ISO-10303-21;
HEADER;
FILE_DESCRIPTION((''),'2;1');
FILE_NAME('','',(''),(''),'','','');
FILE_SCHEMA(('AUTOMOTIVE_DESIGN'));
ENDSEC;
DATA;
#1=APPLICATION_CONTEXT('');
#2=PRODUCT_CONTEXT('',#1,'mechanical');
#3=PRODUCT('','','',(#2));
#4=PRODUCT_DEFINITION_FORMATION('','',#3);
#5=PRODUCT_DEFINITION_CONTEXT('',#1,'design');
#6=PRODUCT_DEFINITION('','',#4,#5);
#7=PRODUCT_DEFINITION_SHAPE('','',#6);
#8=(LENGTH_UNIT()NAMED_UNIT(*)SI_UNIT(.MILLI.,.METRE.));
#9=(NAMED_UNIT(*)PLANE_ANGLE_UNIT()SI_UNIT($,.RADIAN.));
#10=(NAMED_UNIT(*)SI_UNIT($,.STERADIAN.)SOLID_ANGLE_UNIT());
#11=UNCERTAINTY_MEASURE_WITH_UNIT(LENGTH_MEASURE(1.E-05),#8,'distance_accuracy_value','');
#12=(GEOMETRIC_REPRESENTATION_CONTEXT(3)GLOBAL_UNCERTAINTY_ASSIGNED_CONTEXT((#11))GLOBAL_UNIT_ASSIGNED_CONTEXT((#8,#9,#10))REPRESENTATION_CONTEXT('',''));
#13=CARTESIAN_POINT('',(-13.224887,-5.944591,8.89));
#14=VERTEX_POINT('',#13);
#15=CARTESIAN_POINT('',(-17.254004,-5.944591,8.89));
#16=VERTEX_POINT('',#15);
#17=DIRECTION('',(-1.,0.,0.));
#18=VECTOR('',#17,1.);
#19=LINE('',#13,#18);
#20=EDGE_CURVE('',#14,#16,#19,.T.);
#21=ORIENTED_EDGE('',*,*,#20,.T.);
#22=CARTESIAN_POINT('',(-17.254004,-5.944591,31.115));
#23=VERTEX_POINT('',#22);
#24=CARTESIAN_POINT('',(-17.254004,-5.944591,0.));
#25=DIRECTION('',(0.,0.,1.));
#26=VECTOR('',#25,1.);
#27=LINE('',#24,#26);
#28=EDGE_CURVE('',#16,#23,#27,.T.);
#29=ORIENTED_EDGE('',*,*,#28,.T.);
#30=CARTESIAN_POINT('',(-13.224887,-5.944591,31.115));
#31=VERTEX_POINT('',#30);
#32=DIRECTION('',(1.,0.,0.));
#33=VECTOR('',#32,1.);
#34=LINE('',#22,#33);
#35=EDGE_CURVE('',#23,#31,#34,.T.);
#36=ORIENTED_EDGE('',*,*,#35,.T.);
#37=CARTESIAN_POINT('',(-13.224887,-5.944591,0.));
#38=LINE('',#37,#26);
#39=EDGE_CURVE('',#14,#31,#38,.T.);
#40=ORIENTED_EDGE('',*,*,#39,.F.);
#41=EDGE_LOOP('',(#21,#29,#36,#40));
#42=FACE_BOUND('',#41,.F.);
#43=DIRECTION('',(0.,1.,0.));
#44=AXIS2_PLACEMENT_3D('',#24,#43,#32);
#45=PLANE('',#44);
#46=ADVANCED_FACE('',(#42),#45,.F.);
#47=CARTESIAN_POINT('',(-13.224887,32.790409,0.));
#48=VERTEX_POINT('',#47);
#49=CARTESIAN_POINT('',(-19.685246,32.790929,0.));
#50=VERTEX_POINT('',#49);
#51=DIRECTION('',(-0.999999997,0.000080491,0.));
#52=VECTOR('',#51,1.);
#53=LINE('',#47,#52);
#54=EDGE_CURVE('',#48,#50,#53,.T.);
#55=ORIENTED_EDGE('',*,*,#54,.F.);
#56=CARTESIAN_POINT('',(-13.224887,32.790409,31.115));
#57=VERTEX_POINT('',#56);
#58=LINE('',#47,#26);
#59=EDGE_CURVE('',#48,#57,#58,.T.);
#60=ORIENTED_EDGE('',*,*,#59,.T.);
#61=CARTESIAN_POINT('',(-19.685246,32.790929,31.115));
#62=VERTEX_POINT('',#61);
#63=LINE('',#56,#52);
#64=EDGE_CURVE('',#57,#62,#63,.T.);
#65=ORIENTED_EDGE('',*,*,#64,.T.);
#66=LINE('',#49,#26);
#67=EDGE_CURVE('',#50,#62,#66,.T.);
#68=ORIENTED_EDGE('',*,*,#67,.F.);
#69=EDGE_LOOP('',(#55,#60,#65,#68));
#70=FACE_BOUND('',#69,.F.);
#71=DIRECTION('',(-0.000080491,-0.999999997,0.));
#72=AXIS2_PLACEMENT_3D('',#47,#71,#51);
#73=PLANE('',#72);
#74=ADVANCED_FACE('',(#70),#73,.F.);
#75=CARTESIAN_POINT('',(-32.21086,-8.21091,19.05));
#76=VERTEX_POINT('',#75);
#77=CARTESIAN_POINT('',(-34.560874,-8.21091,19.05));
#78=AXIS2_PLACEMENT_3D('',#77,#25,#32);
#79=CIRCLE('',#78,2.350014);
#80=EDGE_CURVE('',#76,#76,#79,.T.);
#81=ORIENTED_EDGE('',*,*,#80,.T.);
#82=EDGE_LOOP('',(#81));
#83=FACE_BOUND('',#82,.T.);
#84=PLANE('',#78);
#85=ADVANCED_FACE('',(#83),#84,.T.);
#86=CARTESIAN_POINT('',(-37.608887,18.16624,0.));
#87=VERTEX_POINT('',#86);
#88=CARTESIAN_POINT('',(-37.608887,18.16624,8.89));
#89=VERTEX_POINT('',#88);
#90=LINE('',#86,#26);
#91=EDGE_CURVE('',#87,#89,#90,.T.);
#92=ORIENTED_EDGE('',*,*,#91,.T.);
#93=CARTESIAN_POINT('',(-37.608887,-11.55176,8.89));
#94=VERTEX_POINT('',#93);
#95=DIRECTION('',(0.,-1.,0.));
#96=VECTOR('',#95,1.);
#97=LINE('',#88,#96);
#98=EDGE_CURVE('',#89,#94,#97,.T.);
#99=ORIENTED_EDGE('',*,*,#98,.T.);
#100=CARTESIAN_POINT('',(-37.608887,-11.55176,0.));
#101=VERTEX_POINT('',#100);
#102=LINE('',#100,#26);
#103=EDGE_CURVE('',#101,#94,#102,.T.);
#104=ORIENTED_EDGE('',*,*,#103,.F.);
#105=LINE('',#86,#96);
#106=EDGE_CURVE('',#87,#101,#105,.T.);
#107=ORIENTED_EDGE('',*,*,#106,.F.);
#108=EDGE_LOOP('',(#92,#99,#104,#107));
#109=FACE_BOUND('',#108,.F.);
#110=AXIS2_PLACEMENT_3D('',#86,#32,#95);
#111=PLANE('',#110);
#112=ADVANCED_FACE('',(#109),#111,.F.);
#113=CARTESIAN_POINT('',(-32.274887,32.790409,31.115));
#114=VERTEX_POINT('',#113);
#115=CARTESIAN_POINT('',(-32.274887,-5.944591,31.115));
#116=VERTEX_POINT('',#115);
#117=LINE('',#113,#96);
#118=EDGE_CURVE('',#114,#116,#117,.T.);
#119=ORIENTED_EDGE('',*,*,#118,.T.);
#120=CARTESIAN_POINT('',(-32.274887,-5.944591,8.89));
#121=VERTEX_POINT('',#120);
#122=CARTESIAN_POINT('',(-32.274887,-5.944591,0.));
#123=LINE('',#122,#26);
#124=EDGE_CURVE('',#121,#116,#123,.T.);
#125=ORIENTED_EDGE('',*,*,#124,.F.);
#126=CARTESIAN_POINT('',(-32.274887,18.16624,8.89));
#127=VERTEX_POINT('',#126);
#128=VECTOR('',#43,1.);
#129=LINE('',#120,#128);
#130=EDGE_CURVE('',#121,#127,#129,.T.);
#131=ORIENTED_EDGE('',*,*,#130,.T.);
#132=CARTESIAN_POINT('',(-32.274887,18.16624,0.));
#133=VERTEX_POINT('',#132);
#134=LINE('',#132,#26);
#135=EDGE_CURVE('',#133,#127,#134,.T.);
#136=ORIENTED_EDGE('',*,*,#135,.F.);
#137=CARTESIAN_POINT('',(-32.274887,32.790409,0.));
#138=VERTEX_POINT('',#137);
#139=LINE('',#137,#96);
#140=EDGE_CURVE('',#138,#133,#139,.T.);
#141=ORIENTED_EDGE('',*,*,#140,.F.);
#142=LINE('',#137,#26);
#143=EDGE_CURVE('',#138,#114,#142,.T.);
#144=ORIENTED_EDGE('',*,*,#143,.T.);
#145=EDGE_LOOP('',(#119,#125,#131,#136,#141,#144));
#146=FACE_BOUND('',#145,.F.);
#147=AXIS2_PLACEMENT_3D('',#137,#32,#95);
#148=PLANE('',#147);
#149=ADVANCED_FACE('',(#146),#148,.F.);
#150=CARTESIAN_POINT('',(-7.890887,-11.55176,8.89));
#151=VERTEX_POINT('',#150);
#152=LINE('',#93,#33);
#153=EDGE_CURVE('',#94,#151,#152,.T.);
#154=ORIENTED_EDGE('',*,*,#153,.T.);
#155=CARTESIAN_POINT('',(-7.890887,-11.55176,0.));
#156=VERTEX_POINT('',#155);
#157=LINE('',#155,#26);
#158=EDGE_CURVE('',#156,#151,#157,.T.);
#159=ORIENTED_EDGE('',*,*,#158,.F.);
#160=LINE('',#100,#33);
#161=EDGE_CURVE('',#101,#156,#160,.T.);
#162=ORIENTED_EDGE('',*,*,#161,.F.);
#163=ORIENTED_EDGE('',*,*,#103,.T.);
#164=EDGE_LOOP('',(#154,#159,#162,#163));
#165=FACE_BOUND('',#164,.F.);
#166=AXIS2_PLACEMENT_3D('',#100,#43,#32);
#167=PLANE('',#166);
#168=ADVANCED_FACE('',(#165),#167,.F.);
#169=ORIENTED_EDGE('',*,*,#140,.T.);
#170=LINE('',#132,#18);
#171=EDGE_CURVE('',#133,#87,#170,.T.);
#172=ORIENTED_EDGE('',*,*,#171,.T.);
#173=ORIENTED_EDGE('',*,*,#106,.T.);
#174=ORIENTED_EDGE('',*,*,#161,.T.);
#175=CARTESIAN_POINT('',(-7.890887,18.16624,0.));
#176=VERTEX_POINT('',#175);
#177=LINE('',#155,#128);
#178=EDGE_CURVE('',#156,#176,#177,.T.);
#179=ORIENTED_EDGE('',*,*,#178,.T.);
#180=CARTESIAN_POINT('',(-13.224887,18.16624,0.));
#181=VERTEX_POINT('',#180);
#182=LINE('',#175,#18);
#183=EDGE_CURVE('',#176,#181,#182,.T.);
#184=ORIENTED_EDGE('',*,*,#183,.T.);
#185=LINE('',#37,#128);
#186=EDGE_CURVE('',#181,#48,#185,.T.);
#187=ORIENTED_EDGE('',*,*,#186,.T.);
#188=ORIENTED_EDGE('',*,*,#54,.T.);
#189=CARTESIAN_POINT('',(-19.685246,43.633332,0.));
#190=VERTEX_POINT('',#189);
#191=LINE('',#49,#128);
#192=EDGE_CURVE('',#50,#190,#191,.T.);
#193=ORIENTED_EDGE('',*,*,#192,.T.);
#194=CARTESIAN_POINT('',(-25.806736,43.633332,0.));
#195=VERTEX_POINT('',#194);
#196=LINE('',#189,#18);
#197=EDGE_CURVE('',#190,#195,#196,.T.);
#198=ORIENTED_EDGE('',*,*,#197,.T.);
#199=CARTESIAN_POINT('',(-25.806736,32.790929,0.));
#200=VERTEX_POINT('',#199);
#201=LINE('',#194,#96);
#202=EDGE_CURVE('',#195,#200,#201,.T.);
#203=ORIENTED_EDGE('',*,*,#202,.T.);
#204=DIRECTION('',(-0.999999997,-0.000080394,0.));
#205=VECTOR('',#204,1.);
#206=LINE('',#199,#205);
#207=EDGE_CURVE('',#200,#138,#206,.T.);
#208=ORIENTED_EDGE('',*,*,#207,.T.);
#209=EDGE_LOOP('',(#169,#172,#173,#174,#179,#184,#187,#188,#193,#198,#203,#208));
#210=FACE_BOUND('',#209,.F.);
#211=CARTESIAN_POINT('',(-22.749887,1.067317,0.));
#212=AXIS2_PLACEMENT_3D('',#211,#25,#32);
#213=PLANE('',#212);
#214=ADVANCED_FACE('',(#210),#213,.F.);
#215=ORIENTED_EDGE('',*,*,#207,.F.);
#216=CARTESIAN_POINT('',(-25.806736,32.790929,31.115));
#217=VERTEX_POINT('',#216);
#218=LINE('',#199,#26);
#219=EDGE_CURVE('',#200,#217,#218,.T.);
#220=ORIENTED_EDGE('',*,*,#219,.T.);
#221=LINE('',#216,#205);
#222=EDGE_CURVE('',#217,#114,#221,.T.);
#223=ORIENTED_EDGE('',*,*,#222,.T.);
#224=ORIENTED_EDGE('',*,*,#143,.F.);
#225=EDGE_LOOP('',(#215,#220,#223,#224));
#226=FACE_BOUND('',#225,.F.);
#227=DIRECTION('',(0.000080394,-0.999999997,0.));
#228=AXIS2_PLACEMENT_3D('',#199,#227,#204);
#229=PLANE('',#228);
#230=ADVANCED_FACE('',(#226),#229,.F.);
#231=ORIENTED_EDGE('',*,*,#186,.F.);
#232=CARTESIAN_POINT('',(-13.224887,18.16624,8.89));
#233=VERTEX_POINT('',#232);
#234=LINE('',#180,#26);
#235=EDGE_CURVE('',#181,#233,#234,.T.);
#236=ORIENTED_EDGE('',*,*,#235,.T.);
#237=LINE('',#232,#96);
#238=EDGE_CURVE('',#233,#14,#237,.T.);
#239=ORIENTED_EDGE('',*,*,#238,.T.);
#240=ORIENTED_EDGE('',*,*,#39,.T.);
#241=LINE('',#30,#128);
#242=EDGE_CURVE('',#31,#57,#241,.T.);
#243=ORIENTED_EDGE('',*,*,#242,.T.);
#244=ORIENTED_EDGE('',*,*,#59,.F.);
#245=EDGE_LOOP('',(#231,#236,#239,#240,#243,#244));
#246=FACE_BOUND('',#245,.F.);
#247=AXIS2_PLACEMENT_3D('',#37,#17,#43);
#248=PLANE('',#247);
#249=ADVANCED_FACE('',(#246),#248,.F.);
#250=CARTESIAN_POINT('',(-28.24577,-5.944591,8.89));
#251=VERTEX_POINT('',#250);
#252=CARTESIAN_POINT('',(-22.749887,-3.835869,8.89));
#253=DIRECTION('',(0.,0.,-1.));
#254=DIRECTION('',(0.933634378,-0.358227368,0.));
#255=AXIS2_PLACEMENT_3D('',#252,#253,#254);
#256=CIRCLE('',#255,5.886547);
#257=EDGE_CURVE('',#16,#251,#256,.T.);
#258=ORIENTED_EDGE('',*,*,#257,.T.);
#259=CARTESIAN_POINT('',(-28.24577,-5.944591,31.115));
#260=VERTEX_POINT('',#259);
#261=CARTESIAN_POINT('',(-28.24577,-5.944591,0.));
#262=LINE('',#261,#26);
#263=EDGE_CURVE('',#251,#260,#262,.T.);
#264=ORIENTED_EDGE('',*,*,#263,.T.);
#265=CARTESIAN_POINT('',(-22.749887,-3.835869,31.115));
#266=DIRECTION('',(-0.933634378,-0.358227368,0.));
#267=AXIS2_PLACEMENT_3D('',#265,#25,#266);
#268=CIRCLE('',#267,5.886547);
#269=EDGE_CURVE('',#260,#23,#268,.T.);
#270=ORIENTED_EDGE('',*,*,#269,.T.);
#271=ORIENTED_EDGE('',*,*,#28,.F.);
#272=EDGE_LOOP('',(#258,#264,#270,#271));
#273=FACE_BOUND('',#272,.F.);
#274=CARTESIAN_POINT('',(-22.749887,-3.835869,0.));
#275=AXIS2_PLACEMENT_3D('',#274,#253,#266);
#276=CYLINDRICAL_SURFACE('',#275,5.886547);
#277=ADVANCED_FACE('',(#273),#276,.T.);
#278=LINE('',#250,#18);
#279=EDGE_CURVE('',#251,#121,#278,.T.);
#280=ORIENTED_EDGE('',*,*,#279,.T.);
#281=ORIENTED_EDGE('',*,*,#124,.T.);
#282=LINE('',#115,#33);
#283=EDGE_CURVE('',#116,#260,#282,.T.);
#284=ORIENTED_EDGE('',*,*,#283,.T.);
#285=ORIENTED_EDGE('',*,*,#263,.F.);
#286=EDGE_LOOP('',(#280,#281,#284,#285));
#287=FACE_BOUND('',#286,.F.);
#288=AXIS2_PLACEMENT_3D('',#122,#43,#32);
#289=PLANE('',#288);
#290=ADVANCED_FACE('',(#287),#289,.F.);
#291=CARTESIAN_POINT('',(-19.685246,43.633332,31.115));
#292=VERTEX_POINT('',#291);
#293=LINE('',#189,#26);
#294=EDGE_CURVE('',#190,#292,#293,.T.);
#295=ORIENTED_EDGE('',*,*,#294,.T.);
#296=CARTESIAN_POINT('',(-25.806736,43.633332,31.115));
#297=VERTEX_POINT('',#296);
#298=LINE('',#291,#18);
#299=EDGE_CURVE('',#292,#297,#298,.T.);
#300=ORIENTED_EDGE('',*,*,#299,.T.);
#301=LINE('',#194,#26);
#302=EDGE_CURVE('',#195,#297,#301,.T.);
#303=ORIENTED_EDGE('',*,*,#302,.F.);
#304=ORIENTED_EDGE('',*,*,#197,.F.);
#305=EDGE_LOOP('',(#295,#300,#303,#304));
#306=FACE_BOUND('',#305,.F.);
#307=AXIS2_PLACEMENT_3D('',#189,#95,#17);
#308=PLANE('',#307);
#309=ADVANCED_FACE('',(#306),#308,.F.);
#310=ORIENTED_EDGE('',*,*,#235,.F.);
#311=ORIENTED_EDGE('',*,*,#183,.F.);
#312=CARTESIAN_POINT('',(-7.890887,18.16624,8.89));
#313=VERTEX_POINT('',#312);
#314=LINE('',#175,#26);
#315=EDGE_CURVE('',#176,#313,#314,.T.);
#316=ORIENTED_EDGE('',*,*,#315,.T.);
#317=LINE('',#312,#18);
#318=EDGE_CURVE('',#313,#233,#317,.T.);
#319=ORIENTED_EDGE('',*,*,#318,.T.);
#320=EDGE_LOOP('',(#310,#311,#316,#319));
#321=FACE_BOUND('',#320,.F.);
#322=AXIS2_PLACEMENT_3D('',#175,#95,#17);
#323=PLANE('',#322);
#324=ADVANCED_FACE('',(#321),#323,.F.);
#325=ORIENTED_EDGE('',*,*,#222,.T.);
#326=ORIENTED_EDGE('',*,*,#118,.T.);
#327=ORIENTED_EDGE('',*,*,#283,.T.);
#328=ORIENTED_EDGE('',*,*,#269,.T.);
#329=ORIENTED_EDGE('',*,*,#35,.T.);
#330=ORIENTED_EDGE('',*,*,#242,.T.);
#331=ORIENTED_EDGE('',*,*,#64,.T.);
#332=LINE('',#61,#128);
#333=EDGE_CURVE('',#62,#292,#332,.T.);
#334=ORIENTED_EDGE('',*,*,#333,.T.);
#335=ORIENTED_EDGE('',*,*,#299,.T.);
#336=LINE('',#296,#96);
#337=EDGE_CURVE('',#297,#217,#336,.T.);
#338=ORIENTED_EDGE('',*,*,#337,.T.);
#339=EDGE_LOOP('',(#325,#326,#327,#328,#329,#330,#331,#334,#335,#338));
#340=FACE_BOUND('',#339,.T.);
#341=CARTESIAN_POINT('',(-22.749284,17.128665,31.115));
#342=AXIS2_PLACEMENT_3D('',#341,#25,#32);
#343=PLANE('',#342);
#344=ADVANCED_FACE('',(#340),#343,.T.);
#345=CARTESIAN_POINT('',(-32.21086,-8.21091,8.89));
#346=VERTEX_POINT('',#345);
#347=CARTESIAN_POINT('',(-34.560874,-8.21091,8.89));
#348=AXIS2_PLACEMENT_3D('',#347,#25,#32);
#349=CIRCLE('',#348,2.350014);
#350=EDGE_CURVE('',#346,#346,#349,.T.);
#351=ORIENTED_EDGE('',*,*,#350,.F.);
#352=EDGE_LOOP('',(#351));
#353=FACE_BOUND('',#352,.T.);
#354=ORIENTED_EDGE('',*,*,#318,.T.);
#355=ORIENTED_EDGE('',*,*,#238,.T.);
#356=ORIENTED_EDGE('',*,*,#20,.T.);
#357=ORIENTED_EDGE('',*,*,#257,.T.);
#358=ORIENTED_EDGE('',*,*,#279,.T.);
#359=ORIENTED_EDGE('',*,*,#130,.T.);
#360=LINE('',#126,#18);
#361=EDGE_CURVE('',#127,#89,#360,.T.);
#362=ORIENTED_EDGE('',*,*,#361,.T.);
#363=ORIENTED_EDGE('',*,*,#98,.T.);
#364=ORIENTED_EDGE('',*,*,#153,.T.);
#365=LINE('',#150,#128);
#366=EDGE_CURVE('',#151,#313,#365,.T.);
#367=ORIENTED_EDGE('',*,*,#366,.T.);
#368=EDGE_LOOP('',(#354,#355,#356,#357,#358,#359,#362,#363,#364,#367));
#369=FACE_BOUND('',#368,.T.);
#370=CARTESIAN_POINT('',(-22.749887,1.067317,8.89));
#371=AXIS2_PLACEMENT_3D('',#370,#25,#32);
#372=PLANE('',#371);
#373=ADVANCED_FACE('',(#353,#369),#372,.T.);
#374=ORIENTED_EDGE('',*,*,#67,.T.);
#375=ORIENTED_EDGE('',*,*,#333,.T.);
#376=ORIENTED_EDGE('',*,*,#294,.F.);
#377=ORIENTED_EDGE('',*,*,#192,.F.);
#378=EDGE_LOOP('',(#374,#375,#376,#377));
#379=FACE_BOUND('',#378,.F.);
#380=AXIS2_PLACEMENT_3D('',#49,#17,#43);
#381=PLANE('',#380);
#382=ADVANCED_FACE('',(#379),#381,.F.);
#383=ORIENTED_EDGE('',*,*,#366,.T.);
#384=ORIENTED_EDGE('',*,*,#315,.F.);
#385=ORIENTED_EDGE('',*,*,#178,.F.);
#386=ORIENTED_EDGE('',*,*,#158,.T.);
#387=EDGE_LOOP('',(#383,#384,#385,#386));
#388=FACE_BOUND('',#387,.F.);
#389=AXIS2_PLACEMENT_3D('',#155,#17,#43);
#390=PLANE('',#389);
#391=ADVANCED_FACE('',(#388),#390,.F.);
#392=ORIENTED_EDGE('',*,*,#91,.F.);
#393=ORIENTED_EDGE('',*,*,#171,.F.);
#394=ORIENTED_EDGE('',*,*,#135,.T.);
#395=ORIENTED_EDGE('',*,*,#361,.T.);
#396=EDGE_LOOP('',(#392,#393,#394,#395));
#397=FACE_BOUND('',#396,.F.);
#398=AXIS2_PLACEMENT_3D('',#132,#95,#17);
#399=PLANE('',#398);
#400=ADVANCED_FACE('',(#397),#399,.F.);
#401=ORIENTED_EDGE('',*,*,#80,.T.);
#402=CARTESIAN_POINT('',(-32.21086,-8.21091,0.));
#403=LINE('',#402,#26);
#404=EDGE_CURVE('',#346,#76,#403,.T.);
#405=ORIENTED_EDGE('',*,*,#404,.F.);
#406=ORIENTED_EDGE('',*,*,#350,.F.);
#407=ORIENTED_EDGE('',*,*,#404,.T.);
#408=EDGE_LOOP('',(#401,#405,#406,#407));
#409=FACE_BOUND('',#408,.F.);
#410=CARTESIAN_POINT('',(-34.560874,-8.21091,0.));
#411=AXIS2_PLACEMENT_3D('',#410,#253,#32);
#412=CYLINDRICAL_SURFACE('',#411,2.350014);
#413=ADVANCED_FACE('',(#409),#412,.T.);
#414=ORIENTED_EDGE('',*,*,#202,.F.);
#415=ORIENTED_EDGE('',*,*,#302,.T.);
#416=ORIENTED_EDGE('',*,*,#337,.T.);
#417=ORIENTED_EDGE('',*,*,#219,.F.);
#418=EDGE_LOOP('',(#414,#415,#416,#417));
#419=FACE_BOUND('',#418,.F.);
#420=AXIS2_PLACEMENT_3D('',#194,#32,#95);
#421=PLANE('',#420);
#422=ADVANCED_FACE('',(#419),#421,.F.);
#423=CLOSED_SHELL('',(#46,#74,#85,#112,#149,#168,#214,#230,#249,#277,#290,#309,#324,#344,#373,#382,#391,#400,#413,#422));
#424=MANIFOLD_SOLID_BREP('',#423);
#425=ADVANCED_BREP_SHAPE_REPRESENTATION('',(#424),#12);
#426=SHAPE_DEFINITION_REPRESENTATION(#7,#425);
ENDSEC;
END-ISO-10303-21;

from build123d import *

# Parameters (mm, degrees)
F1_DEPTH = 31.115
F0_R     = 2.350014
F2_DEPTH = 8.89
F3_DEPTH = 19.05


with BuildPart() as f1:
    # F0 (on Top) → F1 (new body)
    with BuildSketch(Plane.XY):
        with BuildLine():
            Line((-32.274887, 32.790409), (-32.274887, 18.16624))
            Line((-32.274887, 18.16624), (-32.274887, -5.944591))
            Line((-32.274887, -5.944591), (-28.24577, -5.944591))
            ThreePointArc((-28.24577, -5.944591), (-22.749887, -9.722416), (-17.254004, -5.944591))
            Line((-17.254004, -5.944591), (-13.224887, -5.944591))
            Line((-13.224887, -5.944591), (-13.224887, 18.16624))
            Line((-13.224887, 18.16624), (-13.224887, 32.790409))
            Line((-13.224887, 32.790409), (-19.685246, 32.790929))
            Line((-19.685246, 32.790929), (-19.685246, 43.633332))
            Line((-19.685246, 43.633332), (-25.806736, 43.633332))
            Line((-25.806736, 43.633332), (-25.806736, 32.790929))
            Line((-25.806736, 32.790929), (-32.274887, 32.790409))
        make_face()
    extrude(amount=F1_DEPTH)

    # F0 (on Top) → F2 (join)
    with BuildSketch(Plane.XY):
        with BuildLine():
            Line((-37.608887, 18.16624), (-37.608887, -11.55176))
            Line((-37.608887, -11.55176), (-7.890887, -11.55176))
            Line((-7.890887, -11.55176), (-7.890887, 18.16624))
            Line((-7.890887, 18.16624), (-13.224887, 18.16624))
            Line((-13.224887, 18.16624), (-13.224887, -5.944591))
            Line((-13.224887, -5.944591), (-17.254004, -5.944591))
            ThreePointArc((-17.254004, -5.944591), (-22.749887, -9.722416), (-28.24577, -5.944591))
            Line((-28.24577, -5.944591), (-32.274887, -5.944591))
            Line((-32.274887, -5.944591), (-32.274887, 18.16624))
            Line((-32.274887, 18.16624), (-37.608887, 18.16624))
        make_face()
        with Locations((-34.560874, -8.21091)):
            Circle(F0_R, mode=Mode.SUBTRACT)
    extrude(amount=F2_DEPTH)

    # F0 (on Top) → F3 (join)
    with BuildSketch(Plane.XY):
        with Locations((-34.560874, -8.21091)):
            Circle(F0_R)
    extrude(amount=F3_DEPTH)


solid = f1.part
